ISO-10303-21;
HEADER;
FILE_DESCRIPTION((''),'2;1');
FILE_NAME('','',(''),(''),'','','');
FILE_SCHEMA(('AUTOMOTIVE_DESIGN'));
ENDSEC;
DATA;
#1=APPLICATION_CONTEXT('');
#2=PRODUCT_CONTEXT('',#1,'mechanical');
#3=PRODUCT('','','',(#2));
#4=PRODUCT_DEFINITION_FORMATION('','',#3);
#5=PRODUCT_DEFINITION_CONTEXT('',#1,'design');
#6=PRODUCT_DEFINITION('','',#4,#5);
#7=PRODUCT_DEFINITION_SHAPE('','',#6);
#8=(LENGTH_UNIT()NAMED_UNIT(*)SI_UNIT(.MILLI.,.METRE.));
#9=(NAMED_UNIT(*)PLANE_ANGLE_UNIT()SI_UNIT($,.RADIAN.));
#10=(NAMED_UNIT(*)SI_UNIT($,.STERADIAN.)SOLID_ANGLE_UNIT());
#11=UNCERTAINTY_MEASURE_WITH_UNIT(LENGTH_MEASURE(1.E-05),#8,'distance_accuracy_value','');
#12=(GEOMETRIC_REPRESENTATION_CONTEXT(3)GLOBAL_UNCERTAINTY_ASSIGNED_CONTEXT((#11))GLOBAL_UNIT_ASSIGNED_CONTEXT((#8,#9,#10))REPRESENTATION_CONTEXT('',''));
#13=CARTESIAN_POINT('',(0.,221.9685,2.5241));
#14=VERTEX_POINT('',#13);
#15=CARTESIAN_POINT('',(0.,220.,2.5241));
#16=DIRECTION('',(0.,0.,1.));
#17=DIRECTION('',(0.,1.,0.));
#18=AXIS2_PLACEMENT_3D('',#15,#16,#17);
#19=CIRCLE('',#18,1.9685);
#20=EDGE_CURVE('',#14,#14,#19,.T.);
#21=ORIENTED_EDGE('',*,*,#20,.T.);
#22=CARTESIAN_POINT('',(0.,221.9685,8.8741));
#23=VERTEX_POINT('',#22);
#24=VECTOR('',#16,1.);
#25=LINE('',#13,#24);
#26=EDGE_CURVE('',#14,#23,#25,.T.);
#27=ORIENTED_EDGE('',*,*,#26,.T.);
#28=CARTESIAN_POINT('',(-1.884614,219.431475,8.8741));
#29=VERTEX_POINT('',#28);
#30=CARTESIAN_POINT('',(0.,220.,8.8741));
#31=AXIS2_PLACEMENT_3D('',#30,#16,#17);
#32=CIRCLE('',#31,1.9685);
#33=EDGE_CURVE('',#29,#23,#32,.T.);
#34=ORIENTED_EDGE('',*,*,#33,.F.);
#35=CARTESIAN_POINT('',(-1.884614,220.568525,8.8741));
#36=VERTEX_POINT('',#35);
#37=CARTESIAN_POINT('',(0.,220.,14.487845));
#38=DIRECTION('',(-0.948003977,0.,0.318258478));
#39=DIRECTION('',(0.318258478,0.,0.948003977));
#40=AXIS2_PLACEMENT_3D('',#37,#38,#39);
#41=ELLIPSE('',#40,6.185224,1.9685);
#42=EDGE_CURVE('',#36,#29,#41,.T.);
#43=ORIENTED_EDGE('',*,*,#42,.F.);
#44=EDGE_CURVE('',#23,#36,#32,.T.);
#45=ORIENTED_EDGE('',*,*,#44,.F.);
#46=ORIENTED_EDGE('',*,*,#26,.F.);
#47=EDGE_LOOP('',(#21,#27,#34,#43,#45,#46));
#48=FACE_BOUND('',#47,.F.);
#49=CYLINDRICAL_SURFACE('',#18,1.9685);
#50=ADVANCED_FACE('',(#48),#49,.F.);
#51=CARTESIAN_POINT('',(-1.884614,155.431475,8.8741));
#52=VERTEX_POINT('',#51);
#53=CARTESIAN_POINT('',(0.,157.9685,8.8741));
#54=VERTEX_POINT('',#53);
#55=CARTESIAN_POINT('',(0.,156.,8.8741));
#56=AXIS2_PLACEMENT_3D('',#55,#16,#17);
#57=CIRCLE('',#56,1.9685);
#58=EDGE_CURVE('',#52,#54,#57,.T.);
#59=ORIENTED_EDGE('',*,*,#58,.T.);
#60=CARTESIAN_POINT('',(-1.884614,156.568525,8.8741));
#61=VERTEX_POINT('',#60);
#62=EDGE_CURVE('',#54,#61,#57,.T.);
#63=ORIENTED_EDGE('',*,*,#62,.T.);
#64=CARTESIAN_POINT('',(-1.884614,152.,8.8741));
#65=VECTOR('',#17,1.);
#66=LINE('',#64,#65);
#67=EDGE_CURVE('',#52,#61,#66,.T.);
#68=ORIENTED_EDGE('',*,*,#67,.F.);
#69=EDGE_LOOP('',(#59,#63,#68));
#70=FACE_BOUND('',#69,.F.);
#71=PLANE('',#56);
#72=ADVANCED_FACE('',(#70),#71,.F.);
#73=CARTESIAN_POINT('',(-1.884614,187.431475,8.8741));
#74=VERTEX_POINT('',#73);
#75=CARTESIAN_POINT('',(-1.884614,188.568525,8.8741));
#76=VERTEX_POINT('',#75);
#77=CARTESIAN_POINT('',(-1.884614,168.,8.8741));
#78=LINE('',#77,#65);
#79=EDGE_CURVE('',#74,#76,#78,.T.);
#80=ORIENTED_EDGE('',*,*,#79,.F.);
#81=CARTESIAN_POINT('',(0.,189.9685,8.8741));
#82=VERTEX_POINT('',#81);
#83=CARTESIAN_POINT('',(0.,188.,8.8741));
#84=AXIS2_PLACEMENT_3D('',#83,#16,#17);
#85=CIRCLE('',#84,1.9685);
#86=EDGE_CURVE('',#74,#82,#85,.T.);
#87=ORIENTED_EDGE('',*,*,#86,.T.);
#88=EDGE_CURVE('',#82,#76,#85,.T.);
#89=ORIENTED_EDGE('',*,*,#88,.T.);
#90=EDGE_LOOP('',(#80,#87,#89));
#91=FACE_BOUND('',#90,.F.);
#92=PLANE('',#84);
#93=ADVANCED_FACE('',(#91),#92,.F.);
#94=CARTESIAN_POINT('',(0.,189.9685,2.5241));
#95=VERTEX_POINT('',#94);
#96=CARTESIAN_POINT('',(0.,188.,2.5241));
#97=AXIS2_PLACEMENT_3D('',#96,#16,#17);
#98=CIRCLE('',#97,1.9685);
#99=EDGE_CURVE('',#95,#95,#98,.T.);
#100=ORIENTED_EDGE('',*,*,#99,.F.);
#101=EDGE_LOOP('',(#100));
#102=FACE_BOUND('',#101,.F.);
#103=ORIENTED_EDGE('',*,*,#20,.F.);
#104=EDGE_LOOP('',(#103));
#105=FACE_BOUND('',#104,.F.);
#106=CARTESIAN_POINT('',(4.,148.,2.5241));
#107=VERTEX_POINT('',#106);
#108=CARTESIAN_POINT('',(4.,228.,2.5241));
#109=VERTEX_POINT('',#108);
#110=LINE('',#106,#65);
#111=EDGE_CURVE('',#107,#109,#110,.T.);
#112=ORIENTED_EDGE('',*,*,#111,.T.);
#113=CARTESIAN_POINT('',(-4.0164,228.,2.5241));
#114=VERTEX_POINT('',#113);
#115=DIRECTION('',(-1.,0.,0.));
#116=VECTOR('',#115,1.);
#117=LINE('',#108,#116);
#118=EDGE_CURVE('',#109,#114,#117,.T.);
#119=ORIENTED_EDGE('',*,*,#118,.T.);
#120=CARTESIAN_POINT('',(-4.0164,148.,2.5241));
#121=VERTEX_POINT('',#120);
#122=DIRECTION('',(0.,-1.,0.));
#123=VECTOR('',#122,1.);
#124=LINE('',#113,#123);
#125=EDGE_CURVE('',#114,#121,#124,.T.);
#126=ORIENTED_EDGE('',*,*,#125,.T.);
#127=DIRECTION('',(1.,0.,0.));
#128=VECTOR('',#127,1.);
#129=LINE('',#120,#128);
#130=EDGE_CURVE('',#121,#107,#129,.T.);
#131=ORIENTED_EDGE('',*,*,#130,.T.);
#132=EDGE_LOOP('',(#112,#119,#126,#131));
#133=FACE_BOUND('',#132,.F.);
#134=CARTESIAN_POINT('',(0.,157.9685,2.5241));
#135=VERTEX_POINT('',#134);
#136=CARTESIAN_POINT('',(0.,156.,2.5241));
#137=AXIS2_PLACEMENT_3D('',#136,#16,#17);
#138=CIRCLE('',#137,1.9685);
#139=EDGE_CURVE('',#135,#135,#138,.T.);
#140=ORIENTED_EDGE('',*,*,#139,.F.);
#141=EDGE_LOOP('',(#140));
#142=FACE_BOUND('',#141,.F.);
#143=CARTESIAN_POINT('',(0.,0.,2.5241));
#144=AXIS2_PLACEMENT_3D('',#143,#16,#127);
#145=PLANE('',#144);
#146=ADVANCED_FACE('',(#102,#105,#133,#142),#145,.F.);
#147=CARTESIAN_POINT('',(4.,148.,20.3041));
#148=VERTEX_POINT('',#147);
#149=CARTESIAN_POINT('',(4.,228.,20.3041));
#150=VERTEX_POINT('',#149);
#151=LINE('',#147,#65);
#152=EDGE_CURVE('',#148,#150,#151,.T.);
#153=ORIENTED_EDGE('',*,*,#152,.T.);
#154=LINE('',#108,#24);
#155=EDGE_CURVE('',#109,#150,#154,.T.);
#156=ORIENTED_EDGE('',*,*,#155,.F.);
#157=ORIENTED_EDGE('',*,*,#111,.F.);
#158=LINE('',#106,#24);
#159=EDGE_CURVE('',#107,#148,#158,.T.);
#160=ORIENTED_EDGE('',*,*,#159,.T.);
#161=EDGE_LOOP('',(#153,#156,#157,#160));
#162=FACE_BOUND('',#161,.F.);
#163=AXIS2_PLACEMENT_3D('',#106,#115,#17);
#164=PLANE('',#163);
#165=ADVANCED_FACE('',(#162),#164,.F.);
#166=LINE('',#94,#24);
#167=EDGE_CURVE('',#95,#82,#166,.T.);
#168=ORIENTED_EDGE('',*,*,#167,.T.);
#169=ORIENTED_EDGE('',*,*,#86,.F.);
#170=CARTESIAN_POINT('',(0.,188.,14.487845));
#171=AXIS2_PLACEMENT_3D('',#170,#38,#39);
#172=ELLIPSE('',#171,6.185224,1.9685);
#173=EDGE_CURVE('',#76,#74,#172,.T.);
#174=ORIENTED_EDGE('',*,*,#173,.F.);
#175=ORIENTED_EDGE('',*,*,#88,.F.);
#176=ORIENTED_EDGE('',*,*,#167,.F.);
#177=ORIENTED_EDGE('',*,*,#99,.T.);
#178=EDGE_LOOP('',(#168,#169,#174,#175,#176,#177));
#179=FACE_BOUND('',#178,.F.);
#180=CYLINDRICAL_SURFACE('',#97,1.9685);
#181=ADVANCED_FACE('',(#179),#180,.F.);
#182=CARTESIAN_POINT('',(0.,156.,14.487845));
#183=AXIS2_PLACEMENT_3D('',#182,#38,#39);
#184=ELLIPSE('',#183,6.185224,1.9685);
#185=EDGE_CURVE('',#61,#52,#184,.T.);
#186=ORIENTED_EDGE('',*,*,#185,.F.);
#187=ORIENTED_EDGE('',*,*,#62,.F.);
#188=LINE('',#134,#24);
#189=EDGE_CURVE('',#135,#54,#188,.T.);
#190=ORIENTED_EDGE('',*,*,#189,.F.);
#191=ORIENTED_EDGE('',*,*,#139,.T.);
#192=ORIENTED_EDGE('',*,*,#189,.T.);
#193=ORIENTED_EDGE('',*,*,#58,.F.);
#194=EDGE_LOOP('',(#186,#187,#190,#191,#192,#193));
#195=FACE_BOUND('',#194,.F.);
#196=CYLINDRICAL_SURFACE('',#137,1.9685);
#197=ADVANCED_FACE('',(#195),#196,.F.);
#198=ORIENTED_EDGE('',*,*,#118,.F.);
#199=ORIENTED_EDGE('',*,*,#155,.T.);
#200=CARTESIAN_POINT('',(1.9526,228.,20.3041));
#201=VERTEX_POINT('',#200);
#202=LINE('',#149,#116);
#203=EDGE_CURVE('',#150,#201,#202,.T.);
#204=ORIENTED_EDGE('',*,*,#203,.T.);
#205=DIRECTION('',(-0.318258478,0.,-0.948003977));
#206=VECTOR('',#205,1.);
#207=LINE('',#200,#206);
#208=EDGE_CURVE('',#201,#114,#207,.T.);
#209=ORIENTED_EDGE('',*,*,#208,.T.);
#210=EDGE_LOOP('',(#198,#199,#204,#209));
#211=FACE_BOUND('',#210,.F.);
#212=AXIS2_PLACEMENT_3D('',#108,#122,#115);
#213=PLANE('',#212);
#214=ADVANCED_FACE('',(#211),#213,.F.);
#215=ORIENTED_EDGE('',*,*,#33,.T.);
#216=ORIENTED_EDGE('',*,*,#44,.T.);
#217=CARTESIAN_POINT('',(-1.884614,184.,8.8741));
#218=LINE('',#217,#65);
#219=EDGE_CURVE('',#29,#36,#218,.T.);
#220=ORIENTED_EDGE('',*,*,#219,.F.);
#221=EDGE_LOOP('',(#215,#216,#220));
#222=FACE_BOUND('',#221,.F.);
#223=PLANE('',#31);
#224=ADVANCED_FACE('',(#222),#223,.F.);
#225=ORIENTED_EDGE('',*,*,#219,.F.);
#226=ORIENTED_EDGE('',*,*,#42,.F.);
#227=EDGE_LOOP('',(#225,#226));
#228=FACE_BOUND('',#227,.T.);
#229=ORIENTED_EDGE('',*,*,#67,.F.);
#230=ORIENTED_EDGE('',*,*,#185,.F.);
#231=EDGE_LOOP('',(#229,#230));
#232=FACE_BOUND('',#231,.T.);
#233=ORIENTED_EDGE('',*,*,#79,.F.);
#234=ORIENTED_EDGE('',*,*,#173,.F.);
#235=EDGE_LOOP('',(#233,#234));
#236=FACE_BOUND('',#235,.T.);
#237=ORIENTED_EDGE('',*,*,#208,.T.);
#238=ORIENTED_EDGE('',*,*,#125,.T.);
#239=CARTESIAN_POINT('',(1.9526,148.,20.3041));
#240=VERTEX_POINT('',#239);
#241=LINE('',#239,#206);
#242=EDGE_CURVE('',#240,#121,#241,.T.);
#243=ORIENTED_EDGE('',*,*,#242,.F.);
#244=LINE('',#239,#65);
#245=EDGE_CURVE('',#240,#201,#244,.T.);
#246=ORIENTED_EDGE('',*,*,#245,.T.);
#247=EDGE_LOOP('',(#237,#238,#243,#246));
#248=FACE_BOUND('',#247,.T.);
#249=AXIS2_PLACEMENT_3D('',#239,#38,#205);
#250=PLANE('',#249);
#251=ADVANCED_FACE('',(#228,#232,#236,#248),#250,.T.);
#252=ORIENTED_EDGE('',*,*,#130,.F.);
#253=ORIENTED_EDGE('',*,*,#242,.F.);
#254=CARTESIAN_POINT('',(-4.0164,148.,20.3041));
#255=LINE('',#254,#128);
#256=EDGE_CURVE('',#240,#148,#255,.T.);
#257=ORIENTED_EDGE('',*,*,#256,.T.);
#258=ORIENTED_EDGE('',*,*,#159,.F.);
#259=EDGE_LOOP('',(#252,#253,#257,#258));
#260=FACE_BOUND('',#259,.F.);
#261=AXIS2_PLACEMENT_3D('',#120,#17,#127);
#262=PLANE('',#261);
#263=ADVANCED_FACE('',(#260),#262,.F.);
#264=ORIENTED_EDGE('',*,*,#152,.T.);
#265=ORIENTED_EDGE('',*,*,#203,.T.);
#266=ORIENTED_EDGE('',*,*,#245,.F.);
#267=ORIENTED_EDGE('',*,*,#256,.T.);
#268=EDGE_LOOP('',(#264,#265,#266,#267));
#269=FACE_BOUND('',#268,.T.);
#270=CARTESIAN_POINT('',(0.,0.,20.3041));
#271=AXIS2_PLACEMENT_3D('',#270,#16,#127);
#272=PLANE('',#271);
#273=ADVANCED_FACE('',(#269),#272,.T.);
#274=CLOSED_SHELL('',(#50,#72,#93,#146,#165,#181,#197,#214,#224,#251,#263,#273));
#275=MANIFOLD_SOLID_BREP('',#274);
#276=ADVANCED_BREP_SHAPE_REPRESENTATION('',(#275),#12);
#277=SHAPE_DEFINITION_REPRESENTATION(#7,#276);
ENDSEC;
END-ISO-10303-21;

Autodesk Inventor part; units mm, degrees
ref_plane "YZ Plane" through (0, 0, 0) normal (1, 0, 0) x (0, 1, 0)
ref_plane "XZ Plane" through (0, 0, 0) normal (0, 1, 0) x (-1, 0, 0)
ref_plane "Work Plane1" through (0, 0, 2.5241) normal (0, 0, 1) x (1, 0, 0)
sketch "Sketch1" plane through (0, 0, 2.5241) normal (0, 0, 1) x (1, 0, 0)
  line L0 (16, 228) -> (4, 228) construction
  line L1 (4, 148) -> (-8, 148) construction
  line L2 (4, 228) -> (-4.0164, 228)
  line L3 (-4.0164, 228) -> (-4.0164, 148)
  line L4 (-4.0164, 148) -> (4, 148)
  line L5 (4, 148) -> (4, 228)
  point P0 (0, 0)
extrude "Extrusion1" add sketch "Sketch1" along normal blind 17.78
sketch "Sketch2" plane through (-4.0164, 148, 2.5241) normal (0, -1, 0) x (1, 0, 0)
  line L0 (0, 17.78) -> (8.0164, 17.78) construction
  line L1 (0, 0) -> (0, 17.78) construction
  line L2 (0, 0) -> (0, 17.78) projected
  line L3 (8.0164, 17.78) -> (0, 17.78) projected
  line L4 (0, 0) -> (0, 17.78)
  line L5 (0, 17.78) -> (5.969, 17.78)
  line L6 (5.969, 17.78) -> (0, 0)
  point P0 (4.0164, -2.5241)
  dimension "d2" = 5.969
extrude "Extrusion2" cut sketch "Sketch2" against normal up to surface (80 mm away)
sketch "Sketch3" plane through (0, 0, 2.5241) normal (0, 0, -1) x (-1, 0, 0)
  circle A0 centre (0, 220) radius 2 construction
  circle A1 centre (0, 156) radius 2 construction
  circle A2 centre (0, 188) radius 2 construction
  point P0 (0, 0)
hole "Hole1" at (0, 220, 2.5241) at (0, 188, 2.5241) at (0, 156, 2.5241) direction (0, 0, 1) diameter 3.937 depth 6.35
properties part number "EjectionRamp"
